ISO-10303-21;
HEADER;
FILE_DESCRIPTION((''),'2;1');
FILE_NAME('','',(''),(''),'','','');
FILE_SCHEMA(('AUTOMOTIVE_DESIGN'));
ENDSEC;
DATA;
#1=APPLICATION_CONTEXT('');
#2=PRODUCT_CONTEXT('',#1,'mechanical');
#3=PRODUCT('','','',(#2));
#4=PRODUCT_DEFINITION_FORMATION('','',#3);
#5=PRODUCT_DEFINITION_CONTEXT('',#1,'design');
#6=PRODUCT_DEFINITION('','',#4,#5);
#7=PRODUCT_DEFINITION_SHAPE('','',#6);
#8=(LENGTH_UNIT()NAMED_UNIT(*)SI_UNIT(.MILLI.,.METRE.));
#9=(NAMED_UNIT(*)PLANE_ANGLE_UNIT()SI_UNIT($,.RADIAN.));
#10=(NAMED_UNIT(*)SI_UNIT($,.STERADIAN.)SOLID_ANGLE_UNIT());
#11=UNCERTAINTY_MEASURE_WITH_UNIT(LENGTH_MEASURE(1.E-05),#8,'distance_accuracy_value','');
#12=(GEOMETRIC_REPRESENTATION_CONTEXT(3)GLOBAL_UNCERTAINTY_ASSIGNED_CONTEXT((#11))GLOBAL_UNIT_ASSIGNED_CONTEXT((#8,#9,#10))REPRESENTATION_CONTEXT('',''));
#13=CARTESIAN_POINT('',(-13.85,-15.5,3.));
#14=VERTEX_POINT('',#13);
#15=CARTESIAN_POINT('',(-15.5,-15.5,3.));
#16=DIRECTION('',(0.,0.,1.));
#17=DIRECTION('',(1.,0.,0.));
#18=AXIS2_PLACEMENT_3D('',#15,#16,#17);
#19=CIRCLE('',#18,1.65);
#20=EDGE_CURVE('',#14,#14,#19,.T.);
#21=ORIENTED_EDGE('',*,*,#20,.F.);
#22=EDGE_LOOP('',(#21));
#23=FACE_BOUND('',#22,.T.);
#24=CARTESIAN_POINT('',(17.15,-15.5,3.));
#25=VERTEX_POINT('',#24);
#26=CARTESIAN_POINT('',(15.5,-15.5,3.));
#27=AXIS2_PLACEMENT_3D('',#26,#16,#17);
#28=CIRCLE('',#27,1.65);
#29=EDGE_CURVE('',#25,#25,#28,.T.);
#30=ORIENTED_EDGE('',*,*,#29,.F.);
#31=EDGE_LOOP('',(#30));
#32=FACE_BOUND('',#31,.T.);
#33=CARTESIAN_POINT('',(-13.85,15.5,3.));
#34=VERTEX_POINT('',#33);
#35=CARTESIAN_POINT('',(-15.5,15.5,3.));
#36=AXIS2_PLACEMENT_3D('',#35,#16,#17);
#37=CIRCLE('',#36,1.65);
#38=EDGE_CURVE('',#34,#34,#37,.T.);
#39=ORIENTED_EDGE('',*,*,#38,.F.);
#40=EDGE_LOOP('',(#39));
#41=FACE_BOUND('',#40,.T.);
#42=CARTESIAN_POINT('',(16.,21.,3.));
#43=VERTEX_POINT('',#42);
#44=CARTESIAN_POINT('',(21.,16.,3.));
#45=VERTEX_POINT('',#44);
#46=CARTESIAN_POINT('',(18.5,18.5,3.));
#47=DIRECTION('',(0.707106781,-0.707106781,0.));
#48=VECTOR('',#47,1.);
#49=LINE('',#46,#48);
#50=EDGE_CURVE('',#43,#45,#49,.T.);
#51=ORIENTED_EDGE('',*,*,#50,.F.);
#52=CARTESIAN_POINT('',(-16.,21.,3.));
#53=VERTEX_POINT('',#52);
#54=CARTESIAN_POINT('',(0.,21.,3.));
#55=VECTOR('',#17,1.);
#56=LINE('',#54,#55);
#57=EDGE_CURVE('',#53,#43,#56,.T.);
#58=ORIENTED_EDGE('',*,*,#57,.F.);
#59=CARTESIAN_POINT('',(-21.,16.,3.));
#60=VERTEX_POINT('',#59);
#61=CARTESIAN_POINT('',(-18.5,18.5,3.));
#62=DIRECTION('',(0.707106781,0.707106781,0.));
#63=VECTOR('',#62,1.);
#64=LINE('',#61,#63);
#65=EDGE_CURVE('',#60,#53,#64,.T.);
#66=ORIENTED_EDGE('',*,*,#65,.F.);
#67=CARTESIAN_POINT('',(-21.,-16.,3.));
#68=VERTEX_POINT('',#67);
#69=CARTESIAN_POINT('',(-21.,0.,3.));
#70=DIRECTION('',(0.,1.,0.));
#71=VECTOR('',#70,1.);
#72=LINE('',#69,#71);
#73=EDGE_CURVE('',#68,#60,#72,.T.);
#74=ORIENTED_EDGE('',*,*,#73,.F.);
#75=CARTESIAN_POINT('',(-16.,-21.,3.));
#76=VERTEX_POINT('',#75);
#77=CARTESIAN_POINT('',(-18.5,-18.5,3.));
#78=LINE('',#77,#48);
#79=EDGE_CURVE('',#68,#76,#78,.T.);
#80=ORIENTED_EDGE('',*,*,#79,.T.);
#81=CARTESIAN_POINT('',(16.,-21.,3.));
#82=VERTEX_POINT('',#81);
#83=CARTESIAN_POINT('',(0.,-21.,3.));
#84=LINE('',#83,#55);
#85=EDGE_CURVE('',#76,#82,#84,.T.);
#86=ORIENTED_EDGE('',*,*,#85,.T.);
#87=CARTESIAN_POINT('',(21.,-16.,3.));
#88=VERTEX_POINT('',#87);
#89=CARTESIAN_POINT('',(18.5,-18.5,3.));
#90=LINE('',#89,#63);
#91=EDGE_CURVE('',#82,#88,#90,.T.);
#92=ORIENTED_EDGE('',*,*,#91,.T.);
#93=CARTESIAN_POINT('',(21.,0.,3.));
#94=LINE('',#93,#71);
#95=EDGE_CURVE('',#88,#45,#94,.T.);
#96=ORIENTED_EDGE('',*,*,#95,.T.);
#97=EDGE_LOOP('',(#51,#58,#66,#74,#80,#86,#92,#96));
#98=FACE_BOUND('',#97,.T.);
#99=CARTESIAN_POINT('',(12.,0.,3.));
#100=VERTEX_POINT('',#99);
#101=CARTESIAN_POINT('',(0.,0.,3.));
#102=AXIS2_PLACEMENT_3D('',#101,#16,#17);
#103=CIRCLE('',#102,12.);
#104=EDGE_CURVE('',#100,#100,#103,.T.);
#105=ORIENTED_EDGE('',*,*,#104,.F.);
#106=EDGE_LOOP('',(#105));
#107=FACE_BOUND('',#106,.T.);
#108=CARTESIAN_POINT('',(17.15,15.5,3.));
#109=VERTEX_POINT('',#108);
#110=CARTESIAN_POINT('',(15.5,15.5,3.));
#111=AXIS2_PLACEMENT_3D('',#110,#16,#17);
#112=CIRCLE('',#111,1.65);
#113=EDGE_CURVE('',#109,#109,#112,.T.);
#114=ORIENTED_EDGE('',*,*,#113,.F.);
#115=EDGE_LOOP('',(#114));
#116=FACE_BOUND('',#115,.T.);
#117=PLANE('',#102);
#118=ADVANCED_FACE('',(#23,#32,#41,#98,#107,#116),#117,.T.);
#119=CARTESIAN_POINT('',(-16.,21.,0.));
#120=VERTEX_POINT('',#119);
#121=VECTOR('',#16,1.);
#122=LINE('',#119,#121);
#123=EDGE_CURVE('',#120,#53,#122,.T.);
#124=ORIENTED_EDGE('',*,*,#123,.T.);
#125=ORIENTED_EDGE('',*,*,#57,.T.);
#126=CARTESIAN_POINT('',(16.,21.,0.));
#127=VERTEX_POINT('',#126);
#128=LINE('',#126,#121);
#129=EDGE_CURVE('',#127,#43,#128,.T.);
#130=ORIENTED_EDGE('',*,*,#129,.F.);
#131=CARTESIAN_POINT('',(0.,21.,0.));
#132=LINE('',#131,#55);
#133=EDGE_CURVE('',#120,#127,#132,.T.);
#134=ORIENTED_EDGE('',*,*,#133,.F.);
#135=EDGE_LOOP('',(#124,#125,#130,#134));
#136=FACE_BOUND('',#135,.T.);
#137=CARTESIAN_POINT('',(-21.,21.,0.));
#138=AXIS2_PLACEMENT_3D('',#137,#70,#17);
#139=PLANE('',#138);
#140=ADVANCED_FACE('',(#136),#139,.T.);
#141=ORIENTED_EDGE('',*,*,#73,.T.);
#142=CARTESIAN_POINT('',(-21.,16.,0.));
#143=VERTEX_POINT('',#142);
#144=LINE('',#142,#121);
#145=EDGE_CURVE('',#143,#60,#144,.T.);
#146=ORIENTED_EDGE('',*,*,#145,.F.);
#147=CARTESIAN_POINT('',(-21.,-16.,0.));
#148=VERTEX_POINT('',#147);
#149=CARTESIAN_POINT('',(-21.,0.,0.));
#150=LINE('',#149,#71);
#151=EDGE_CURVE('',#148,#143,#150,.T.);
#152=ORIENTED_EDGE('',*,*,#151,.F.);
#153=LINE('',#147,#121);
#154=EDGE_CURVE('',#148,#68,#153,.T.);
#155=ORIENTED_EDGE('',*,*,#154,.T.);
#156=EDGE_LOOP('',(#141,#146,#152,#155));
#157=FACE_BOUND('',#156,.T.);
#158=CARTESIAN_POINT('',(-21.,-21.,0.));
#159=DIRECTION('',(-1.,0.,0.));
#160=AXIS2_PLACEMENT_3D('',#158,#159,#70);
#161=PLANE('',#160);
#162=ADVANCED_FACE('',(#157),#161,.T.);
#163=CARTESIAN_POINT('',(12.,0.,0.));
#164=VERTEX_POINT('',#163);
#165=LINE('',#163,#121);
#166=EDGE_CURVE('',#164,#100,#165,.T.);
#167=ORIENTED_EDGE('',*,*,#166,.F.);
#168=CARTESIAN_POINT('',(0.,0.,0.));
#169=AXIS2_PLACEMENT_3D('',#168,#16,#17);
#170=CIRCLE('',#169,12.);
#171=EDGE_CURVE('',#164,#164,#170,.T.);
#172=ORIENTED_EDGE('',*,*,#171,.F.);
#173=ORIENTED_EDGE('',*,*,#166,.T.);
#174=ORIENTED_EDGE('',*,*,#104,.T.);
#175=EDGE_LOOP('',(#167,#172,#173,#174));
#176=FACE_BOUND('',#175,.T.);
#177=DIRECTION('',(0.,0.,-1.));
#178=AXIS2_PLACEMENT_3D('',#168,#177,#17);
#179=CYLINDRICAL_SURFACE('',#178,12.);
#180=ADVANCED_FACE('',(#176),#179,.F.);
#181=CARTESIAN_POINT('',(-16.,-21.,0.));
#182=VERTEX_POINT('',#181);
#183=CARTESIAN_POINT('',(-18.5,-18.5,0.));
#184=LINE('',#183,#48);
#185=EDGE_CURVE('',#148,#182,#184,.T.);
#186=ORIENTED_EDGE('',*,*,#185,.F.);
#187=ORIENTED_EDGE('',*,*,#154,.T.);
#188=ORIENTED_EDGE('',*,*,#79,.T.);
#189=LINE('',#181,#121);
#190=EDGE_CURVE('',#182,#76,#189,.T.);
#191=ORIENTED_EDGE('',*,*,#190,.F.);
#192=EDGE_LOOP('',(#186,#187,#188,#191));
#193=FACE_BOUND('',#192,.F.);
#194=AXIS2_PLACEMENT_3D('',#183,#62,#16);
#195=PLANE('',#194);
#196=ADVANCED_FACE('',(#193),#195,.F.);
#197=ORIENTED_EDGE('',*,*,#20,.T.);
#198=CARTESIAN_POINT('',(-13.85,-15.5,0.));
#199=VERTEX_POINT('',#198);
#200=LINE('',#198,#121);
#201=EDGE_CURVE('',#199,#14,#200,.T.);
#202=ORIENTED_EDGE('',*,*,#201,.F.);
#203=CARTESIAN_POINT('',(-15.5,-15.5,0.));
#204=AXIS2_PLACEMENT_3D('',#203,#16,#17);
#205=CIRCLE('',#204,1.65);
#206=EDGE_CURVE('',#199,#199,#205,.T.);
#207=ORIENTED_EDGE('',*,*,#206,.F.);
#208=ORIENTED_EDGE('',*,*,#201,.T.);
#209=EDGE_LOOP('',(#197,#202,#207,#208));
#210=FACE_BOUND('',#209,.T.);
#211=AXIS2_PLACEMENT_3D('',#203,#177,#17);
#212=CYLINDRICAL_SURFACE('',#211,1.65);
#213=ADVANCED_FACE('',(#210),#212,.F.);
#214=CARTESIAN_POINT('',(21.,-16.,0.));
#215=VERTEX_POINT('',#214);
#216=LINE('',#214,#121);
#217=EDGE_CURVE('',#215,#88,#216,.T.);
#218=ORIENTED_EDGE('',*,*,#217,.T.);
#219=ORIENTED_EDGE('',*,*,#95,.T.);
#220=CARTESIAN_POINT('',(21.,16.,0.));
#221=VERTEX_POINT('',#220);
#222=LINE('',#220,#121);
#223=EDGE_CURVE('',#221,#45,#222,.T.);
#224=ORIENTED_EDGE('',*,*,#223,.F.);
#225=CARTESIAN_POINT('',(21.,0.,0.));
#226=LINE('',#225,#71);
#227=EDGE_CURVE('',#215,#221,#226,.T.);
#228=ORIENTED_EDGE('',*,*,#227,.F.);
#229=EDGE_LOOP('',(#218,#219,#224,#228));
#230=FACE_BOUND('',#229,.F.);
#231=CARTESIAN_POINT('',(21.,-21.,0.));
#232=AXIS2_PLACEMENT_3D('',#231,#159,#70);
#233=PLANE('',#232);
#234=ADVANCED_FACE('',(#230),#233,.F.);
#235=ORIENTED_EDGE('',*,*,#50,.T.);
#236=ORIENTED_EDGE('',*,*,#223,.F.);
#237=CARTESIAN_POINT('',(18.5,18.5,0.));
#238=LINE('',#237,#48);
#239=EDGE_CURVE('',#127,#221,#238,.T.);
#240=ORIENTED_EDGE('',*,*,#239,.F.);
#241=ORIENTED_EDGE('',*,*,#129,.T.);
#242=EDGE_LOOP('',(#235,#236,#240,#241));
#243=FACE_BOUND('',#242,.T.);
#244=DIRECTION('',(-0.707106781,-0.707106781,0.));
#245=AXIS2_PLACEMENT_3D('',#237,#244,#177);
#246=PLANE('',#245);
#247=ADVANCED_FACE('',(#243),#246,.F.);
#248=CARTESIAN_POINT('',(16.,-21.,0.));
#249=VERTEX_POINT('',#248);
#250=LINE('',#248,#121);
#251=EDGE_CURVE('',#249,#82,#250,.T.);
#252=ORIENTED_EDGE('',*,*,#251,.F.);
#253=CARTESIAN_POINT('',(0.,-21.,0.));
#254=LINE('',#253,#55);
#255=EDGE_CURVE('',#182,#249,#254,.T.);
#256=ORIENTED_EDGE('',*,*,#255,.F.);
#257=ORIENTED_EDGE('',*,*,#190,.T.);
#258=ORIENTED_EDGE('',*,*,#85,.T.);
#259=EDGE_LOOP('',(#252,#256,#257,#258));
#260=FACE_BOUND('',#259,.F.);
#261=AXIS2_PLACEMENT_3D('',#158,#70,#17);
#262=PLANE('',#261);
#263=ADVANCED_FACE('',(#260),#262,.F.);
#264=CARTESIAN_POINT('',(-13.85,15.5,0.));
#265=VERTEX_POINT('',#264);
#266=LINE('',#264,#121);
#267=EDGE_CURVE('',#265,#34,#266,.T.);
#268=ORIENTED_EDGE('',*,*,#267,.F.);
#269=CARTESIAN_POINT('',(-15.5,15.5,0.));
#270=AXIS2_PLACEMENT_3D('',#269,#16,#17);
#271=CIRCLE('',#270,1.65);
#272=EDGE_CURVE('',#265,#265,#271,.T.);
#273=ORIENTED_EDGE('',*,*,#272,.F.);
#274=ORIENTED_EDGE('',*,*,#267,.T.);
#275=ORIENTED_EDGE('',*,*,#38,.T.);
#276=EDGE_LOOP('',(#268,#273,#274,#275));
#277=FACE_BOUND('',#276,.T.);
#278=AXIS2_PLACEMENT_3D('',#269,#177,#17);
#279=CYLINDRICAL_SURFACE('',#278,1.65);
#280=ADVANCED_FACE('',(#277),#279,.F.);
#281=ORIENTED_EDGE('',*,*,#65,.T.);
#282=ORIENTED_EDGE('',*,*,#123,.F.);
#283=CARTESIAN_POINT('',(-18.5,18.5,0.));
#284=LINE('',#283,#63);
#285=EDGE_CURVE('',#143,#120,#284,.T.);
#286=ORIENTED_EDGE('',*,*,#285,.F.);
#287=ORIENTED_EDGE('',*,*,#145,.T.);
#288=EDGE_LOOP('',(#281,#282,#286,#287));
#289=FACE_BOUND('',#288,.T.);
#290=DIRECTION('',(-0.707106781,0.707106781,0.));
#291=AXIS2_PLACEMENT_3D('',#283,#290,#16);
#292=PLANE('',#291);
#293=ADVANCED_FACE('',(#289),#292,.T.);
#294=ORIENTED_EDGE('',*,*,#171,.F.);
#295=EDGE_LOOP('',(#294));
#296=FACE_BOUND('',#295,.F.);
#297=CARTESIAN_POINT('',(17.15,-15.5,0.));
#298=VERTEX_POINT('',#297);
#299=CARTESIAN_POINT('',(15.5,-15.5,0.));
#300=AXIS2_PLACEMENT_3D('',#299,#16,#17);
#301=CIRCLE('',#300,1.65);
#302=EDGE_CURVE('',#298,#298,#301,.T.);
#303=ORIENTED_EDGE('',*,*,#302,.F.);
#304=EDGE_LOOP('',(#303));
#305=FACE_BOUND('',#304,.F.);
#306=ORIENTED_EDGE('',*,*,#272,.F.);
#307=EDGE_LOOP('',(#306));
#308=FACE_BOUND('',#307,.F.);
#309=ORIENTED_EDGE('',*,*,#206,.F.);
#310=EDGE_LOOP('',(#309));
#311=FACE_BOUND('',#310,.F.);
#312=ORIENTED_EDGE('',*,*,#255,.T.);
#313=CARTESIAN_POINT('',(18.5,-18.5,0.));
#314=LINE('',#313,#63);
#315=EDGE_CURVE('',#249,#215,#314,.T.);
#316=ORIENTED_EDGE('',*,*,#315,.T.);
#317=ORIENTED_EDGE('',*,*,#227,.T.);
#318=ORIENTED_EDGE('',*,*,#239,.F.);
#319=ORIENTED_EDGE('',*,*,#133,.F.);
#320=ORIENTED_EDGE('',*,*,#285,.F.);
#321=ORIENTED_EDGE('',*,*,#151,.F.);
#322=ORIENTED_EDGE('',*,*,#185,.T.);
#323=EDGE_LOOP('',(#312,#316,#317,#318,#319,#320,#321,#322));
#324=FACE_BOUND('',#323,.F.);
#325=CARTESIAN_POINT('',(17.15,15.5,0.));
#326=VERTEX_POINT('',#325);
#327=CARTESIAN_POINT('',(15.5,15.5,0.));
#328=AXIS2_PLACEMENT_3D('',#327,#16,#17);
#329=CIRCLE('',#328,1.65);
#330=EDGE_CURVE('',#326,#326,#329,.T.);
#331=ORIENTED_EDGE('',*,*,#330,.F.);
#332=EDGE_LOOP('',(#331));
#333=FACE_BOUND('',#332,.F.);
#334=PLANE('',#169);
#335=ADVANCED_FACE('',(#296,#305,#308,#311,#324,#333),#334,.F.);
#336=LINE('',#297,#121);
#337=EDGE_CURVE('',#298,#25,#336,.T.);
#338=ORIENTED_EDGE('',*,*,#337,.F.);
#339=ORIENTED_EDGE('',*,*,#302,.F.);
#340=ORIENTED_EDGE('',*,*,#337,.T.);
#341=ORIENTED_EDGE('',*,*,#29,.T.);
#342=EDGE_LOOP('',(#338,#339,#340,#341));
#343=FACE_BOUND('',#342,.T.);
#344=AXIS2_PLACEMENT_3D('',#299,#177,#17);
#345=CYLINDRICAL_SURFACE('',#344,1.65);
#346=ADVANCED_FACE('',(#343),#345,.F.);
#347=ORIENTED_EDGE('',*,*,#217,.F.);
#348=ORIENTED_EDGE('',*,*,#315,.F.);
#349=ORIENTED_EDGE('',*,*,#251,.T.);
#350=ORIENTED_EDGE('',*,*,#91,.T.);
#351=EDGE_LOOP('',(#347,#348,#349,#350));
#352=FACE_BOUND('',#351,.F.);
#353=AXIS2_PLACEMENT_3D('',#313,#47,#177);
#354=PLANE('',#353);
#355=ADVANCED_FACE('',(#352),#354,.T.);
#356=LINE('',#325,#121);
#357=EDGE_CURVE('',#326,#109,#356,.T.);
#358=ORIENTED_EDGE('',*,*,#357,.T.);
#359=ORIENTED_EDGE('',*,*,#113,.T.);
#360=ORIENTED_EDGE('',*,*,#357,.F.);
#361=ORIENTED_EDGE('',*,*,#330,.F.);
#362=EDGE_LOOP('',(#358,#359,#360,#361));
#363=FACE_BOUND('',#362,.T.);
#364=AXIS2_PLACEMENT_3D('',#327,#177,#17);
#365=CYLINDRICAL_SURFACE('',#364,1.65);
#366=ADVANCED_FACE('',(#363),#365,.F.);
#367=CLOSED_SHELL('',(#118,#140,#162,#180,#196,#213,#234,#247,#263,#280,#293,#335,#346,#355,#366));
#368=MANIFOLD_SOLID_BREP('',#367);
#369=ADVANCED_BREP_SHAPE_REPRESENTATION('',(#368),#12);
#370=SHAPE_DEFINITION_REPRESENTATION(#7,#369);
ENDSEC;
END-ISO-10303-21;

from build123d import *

# Parameters (mm, degrees)
F0_W     = 42
F0_H     = 42
F0_R     = 1.65
F0_R_2   = 12
F1_DEPTH = 3
F2_SIZE  = 5


with BuildPart() as f1:
    # F0 (on Top) → F1 (new body)
    with BuildSketch(Plane.XY):
        Rectangle(F0_W, F0_H)
        with Locations((-15.5, -15.5)):
            Circle(F0_R, mode=Mode.SUBTRACT)
        with Locations((15.5, -15.5)):
            Circle(F0_R, mode=Mode.SUBTRACT)
        with Locations((-15.5, 15.5)):
            Circle(F0_R, mode=Mode.SUBTRACT)
        Circle(F0_R_2, mode=Mode.SUBTRACT)
        with Locations((15.5, 15.5)):
            Circle(F0_R, mode=Mode.SUBTRACT)
    extrude(amount=F1_DEPTH)

    # F2
    f2_edges = [f1.edges().sort_by_distance(p)[0] for p in [
        (-21, 21, 1.5),
        (-21, -21, 1.5),
        (21, -21, 1.5),
        (21, 21, 1.5),
    ]]
    chamfer(f2_edges, length=F2_SIZE)


solid = f1.part
